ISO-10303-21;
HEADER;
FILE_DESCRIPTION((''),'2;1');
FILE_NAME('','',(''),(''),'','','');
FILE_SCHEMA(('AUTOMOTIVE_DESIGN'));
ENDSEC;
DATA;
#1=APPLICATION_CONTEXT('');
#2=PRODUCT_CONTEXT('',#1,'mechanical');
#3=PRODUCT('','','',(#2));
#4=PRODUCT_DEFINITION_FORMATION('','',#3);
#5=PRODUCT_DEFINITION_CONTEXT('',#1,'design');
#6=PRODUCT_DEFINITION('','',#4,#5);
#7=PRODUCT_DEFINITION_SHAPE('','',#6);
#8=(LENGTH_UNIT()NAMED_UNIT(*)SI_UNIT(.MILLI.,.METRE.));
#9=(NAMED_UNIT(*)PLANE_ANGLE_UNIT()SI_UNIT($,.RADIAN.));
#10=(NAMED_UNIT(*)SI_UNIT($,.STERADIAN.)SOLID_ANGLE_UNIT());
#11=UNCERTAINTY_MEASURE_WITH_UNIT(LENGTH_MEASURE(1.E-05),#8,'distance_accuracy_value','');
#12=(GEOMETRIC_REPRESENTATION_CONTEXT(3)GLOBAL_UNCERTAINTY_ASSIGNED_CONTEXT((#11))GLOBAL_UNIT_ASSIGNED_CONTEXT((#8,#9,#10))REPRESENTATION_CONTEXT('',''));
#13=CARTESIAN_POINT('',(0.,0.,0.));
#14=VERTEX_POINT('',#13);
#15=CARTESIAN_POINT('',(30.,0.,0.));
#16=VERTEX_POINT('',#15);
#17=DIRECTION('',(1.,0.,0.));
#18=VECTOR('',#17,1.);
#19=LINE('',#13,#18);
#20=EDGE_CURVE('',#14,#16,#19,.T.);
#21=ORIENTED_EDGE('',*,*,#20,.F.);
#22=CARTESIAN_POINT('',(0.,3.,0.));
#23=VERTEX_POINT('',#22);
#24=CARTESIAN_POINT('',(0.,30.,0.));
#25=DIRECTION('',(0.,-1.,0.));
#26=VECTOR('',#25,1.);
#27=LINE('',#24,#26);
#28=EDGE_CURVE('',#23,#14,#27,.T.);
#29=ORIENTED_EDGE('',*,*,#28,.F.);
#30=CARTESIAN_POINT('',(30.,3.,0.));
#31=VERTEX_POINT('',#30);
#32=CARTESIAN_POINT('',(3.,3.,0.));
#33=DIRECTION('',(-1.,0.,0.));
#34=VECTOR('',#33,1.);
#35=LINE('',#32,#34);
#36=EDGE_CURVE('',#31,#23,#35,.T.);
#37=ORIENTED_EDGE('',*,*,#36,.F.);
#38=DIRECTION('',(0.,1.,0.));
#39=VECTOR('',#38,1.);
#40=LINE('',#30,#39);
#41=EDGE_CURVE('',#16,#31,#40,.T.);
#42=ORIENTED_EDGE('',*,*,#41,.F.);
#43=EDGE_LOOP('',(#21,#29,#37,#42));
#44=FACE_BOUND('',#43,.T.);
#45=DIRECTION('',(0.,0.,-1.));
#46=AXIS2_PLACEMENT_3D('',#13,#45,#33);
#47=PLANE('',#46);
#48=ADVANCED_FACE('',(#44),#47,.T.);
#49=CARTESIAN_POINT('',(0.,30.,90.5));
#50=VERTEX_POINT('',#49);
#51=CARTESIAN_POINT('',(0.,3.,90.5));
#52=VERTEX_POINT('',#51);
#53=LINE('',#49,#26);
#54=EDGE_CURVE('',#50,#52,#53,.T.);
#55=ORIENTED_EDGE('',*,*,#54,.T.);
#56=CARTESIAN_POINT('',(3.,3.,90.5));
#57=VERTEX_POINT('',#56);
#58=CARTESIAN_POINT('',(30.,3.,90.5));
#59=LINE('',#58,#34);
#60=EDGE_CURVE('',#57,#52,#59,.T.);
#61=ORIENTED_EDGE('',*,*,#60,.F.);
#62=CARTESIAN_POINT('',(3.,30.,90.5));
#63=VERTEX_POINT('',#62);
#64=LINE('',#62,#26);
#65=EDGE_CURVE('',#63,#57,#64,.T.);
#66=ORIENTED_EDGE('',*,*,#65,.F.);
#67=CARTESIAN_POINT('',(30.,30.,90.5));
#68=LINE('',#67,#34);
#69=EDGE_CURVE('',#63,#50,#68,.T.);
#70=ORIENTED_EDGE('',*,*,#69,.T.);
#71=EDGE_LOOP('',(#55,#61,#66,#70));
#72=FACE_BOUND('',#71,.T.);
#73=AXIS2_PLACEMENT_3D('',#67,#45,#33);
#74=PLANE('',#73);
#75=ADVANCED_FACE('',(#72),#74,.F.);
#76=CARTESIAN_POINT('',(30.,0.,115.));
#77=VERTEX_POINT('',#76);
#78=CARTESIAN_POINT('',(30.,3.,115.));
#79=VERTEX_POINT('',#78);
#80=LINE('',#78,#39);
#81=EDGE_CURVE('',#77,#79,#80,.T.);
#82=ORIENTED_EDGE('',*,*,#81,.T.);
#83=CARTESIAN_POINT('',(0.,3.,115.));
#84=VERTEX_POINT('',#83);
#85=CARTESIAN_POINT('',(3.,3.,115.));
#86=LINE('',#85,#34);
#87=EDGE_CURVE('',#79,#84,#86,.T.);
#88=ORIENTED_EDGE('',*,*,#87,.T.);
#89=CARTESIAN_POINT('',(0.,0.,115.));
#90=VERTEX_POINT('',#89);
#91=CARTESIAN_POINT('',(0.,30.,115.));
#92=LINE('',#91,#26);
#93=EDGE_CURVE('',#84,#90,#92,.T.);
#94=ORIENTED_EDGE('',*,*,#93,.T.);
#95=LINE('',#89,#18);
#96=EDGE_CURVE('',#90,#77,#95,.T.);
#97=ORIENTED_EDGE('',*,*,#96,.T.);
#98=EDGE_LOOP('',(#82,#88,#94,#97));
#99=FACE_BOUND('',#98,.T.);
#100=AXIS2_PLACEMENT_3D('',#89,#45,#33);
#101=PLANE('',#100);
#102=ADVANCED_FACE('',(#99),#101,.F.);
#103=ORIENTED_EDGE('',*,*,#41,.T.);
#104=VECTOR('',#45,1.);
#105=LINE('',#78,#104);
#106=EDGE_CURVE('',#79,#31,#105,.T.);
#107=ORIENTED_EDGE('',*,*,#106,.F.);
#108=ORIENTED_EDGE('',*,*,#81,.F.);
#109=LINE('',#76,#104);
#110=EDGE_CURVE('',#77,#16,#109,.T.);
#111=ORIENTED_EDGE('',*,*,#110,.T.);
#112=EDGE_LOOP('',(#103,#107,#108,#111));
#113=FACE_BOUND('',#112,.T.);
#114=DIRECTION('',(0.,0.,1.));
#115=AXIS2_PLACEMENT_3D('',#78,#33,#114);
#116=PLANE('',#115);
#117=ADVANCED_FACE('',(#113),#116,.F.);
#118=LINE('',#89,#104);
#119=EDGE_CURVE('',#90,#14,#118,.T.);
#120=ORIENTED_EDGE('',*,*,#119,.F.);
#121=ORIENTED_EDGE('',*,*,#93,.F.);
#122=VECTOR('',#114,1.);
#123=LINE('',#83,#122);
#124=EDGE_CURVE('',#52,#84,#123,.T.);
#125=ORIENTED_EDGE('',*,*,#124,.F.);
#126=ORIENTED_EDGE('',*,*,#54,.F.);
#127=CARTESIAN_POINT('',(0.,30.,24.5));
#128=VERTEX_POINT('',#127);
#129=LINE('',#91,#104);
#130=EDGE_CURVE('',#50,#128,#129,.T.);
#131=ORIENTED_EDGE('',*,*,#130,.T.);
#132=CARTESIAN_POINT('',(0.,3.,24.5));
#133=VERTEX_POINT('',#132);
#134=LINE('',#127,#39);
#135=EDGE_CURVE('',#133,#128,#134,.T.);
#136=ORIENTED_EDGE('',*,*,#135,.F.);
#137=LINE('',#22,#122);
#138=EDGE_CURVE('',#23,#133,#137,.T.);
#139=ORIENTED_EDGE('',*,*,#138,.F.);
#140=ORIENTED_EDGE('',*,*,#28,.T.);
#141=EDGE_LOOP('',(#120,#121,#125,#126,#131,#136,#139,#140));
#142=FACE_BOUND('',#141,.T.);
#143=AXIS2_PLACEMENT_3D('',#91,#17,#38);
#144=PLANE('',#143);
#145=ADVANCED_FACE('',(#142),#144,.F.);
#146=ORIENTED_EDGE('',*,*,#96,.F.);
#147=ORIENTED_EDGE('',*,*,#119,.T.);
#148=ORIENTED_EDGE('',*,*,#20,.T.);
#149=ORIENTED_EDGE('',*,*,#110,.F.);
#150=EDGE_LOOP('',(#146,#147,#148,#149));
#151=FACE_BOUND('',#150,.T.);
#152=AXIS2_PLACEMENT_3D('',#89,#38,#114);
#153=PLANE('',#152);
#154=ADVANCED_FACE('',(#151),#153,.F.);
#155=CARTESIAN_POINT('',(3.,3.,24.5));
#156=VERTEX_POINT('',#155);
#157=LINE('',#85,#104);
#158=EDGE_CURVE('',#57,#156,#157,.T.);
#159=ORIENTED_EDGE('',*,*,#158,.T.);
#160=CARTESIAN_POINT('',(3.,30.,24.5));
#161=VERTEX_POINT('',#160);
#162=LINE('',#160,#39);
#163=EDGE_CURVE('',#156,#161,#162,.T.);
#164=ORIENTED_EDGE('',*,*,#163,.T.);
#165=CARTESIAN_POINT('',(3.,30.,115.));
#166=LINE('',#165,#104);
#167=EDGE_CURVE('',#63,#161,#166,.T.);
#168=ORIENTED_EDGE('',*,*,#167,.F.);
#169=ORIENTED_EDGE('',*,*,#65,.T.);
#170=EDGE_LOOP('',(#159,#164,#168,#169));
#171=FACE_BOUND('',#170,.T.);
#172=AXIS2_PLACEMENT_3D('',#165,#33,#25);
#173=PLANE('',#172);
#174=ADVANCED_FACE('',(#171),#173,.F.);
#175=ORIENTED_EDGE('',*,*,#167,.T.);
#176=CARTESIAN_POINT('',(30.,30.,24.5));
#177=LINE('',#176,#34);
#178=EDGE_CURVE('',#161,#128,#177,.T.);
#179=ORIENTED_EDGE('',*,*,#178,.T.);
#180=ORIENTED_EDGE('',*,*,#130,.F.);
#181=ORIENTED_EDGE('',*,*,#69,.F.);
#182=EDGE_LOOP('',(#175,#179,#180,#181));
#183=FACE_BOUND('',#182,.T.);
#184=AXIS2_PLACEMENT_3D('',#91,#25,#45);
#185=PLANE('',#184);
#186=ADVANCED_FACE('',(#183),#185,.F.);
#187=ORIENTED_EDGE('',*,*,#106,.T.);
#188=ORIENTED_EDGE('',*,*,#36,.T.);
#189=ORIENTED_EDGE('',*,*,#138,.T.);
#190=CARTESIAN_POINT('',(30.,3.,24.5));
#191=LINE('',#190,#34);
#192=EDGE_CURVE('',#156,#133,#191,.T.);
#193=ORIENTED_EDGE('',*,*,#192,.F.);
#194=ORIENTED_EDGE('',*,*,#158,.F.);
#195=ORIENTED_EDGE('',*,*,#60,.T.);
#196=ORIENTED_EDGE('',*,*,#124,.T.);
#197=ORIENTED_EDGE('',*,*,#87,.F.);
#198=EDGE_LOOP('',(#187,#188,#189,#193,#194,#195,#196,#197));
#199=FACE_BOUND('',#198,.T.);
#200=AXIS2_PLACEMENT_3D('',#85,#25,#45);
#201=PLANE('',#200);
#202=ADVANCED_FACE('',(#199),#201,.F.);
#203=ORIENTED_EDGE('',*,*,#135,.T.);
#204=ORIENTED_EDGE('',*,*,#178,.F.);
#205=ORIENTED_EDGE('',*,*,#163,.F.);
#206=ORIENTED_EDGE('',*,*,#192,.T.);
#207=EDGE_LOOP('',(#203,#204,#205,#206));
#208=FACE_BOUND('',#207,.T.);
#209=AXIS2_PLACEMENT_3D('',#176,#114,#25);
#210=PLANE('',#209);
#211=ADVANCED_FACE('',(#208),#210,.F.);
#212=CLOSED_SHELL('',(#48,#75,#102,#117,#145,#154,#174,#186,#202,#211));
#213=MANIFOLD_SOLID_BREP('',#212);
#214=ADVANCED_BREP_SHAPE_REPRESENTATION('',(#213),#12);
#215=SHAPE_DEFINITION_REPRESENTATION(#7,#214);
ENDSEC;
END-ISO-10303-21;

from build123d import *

# Parameters (mm, degrees)
EXTRUDE_1_DEPTH     = 115
SKETCH_2_W          = 24.5
SKETCH_2_H          = 27
CUT_EXTRUDE_1_DEPTH = 31


with BuildPart() as part:
    # Эскиз1 → Бобышка-Вытянуть1 (new body)
    with BuildSketch(Plane.XY):
        Polygon((0, 30), (0, 0), (30, 0), (30, 3), (3, 3), (3, 30), align=None)
    extrude(amount=EXTRUDE_1_DEPTH)

    # Эскиз2 → Вырез-Вытянуть1 (cut, through all)
    with BuildSketch(Plane.ZY):
        with Locations((12.25, 16.5)):
            Rectangle(SKETCH_2_W, SKETCH_2_H)
        with Locations((102.75, 16.5)):
            Rectangle(SKETCH_2_W, SKETCH_2_H)
    extrude(amount=-CUT_EXTRUDE_1_DEPTH, mode=Mode.SUBTRACT)


solid = part.part
